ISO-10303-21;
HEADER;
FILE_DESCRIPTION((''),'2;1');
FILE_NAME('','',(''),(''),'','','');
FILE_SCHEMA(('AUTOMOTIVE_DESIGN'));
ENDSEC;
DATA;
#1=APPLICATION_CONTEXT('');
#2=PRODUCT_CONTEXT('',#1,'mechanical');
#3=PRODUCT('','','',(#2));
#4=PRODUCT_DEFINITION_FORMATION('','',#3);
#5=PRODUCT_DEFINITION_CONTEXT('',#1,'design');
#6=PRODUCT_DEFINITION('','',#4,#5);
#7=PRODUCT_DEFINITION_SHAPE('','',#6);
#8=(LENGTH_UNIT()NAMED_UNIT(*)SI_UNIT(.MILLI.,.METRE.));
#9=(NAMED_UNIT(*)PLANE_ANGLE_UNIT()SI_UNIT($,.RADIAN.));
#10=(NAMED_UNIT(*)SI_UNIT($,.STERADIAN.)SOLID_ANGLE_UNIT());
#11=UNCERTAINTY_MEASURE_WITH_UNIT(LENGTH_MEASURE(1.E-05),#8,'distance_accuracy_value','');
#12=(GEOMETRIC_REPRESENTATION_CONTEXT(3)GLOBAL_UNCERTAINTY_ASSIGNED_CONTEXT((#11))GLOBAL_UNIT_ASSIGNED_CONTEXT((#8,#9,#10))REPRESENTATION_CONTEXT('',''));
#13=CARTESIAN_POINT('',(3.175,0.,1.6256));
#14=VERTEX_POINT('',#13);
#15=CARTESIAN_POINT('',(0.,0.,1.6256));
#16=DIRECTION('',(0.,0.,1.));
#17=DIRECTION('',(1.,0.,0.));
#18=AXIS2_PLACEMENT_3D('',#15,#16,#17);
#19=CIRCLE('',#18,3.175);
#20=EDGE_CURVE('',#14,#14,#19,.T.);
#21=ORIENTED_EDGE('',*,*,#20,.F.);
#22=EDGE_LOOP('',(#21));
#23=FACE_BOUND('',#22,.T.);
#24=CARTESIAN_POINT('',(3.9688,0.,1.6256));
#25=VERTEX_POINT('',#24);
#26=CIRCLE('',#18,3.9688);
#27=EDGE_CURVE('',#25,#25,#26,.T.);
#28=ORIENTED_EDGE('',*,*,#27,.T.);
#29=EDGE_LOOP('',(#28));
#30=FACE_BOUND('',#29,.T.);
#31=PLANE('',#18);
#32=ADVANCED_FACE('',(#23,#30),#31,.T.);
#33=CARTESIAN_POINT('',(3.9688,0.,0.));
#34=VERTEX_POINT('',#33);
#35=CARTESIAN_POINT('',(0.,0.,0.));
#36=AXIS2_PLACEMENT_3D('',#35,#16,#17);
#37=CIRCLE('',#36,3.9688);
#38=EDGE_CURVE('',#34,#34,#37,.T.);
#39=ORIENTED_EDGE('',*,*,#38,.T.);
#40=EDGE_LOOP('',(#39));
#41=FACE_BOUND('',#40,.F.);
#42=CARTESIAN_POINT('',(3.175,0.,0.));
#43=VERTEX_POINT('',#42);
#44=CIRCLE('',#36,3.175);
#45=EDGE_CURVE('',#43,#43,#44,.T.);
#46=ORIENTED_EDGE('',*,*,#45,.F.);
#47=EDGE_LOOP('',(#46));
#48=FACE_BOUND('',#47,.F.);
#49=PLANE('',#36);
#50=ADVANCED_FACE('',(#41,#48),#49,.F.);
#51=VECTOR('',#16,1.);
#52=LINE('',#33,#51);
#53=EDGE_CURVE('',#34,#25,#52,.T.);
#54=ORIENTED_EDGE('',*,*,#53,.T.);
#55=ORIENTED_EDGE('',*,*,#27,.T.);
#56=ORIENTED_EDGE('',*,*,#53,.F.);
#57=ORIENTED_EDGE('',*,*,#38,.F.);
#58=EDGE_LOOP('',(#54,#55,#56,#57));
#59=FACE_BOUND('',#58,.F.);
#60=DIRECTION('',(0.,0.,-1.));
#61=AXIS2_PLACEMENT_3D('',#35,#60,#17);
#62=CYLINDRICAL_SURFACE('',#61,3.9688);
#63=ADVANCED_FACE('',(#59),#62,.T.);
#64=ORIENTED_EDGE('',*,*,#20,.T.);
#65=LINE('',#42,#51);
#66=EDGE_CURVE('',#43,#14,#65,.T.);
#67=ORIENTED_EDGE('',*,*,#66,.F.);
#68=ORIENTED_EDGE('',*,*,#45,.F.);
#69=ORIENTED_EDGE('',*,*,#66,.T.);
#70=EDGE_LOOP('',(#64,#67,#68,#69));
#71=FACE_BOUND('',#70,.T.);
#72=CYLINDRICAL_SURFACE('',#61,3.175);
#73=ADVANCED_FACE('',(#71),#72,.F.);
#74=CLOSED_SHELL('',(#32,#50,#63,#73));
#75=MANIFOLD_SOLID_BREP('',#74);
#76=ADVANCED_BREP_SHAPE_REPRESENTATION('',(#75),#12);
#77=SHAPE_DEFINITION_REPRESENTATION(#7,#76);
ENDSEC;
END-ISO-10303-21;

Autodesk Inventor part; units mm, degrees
ref_plane "YZ Plane" through (0, 0, 0) normal (1, 0, 0) x (0, 1, 0)
ref_plane "XZ Plane" through (0, 0, 0) normal (0, 1, 0) x (-1, 0, 0)
ref_plane "XY Plane" through (0, 0, 0) normal (0, 0, 1) x (1, 0, 0)
sketch "Sketch1" plane through (0, 0, 0) normal (0, 0, 1) x (1, 0, 0)
  circle A0 centre (0, 0) radius 3.175
  circle A1 centre (0, 0) radius 3.9688
  dimension "d0" = 6.35
  dimension "d1" = 7.9375
extrude "Extrusion1" add sketch "Sketch1" along normal blind 1.6256
properties part number "Belt Shaft Spacer 1"
